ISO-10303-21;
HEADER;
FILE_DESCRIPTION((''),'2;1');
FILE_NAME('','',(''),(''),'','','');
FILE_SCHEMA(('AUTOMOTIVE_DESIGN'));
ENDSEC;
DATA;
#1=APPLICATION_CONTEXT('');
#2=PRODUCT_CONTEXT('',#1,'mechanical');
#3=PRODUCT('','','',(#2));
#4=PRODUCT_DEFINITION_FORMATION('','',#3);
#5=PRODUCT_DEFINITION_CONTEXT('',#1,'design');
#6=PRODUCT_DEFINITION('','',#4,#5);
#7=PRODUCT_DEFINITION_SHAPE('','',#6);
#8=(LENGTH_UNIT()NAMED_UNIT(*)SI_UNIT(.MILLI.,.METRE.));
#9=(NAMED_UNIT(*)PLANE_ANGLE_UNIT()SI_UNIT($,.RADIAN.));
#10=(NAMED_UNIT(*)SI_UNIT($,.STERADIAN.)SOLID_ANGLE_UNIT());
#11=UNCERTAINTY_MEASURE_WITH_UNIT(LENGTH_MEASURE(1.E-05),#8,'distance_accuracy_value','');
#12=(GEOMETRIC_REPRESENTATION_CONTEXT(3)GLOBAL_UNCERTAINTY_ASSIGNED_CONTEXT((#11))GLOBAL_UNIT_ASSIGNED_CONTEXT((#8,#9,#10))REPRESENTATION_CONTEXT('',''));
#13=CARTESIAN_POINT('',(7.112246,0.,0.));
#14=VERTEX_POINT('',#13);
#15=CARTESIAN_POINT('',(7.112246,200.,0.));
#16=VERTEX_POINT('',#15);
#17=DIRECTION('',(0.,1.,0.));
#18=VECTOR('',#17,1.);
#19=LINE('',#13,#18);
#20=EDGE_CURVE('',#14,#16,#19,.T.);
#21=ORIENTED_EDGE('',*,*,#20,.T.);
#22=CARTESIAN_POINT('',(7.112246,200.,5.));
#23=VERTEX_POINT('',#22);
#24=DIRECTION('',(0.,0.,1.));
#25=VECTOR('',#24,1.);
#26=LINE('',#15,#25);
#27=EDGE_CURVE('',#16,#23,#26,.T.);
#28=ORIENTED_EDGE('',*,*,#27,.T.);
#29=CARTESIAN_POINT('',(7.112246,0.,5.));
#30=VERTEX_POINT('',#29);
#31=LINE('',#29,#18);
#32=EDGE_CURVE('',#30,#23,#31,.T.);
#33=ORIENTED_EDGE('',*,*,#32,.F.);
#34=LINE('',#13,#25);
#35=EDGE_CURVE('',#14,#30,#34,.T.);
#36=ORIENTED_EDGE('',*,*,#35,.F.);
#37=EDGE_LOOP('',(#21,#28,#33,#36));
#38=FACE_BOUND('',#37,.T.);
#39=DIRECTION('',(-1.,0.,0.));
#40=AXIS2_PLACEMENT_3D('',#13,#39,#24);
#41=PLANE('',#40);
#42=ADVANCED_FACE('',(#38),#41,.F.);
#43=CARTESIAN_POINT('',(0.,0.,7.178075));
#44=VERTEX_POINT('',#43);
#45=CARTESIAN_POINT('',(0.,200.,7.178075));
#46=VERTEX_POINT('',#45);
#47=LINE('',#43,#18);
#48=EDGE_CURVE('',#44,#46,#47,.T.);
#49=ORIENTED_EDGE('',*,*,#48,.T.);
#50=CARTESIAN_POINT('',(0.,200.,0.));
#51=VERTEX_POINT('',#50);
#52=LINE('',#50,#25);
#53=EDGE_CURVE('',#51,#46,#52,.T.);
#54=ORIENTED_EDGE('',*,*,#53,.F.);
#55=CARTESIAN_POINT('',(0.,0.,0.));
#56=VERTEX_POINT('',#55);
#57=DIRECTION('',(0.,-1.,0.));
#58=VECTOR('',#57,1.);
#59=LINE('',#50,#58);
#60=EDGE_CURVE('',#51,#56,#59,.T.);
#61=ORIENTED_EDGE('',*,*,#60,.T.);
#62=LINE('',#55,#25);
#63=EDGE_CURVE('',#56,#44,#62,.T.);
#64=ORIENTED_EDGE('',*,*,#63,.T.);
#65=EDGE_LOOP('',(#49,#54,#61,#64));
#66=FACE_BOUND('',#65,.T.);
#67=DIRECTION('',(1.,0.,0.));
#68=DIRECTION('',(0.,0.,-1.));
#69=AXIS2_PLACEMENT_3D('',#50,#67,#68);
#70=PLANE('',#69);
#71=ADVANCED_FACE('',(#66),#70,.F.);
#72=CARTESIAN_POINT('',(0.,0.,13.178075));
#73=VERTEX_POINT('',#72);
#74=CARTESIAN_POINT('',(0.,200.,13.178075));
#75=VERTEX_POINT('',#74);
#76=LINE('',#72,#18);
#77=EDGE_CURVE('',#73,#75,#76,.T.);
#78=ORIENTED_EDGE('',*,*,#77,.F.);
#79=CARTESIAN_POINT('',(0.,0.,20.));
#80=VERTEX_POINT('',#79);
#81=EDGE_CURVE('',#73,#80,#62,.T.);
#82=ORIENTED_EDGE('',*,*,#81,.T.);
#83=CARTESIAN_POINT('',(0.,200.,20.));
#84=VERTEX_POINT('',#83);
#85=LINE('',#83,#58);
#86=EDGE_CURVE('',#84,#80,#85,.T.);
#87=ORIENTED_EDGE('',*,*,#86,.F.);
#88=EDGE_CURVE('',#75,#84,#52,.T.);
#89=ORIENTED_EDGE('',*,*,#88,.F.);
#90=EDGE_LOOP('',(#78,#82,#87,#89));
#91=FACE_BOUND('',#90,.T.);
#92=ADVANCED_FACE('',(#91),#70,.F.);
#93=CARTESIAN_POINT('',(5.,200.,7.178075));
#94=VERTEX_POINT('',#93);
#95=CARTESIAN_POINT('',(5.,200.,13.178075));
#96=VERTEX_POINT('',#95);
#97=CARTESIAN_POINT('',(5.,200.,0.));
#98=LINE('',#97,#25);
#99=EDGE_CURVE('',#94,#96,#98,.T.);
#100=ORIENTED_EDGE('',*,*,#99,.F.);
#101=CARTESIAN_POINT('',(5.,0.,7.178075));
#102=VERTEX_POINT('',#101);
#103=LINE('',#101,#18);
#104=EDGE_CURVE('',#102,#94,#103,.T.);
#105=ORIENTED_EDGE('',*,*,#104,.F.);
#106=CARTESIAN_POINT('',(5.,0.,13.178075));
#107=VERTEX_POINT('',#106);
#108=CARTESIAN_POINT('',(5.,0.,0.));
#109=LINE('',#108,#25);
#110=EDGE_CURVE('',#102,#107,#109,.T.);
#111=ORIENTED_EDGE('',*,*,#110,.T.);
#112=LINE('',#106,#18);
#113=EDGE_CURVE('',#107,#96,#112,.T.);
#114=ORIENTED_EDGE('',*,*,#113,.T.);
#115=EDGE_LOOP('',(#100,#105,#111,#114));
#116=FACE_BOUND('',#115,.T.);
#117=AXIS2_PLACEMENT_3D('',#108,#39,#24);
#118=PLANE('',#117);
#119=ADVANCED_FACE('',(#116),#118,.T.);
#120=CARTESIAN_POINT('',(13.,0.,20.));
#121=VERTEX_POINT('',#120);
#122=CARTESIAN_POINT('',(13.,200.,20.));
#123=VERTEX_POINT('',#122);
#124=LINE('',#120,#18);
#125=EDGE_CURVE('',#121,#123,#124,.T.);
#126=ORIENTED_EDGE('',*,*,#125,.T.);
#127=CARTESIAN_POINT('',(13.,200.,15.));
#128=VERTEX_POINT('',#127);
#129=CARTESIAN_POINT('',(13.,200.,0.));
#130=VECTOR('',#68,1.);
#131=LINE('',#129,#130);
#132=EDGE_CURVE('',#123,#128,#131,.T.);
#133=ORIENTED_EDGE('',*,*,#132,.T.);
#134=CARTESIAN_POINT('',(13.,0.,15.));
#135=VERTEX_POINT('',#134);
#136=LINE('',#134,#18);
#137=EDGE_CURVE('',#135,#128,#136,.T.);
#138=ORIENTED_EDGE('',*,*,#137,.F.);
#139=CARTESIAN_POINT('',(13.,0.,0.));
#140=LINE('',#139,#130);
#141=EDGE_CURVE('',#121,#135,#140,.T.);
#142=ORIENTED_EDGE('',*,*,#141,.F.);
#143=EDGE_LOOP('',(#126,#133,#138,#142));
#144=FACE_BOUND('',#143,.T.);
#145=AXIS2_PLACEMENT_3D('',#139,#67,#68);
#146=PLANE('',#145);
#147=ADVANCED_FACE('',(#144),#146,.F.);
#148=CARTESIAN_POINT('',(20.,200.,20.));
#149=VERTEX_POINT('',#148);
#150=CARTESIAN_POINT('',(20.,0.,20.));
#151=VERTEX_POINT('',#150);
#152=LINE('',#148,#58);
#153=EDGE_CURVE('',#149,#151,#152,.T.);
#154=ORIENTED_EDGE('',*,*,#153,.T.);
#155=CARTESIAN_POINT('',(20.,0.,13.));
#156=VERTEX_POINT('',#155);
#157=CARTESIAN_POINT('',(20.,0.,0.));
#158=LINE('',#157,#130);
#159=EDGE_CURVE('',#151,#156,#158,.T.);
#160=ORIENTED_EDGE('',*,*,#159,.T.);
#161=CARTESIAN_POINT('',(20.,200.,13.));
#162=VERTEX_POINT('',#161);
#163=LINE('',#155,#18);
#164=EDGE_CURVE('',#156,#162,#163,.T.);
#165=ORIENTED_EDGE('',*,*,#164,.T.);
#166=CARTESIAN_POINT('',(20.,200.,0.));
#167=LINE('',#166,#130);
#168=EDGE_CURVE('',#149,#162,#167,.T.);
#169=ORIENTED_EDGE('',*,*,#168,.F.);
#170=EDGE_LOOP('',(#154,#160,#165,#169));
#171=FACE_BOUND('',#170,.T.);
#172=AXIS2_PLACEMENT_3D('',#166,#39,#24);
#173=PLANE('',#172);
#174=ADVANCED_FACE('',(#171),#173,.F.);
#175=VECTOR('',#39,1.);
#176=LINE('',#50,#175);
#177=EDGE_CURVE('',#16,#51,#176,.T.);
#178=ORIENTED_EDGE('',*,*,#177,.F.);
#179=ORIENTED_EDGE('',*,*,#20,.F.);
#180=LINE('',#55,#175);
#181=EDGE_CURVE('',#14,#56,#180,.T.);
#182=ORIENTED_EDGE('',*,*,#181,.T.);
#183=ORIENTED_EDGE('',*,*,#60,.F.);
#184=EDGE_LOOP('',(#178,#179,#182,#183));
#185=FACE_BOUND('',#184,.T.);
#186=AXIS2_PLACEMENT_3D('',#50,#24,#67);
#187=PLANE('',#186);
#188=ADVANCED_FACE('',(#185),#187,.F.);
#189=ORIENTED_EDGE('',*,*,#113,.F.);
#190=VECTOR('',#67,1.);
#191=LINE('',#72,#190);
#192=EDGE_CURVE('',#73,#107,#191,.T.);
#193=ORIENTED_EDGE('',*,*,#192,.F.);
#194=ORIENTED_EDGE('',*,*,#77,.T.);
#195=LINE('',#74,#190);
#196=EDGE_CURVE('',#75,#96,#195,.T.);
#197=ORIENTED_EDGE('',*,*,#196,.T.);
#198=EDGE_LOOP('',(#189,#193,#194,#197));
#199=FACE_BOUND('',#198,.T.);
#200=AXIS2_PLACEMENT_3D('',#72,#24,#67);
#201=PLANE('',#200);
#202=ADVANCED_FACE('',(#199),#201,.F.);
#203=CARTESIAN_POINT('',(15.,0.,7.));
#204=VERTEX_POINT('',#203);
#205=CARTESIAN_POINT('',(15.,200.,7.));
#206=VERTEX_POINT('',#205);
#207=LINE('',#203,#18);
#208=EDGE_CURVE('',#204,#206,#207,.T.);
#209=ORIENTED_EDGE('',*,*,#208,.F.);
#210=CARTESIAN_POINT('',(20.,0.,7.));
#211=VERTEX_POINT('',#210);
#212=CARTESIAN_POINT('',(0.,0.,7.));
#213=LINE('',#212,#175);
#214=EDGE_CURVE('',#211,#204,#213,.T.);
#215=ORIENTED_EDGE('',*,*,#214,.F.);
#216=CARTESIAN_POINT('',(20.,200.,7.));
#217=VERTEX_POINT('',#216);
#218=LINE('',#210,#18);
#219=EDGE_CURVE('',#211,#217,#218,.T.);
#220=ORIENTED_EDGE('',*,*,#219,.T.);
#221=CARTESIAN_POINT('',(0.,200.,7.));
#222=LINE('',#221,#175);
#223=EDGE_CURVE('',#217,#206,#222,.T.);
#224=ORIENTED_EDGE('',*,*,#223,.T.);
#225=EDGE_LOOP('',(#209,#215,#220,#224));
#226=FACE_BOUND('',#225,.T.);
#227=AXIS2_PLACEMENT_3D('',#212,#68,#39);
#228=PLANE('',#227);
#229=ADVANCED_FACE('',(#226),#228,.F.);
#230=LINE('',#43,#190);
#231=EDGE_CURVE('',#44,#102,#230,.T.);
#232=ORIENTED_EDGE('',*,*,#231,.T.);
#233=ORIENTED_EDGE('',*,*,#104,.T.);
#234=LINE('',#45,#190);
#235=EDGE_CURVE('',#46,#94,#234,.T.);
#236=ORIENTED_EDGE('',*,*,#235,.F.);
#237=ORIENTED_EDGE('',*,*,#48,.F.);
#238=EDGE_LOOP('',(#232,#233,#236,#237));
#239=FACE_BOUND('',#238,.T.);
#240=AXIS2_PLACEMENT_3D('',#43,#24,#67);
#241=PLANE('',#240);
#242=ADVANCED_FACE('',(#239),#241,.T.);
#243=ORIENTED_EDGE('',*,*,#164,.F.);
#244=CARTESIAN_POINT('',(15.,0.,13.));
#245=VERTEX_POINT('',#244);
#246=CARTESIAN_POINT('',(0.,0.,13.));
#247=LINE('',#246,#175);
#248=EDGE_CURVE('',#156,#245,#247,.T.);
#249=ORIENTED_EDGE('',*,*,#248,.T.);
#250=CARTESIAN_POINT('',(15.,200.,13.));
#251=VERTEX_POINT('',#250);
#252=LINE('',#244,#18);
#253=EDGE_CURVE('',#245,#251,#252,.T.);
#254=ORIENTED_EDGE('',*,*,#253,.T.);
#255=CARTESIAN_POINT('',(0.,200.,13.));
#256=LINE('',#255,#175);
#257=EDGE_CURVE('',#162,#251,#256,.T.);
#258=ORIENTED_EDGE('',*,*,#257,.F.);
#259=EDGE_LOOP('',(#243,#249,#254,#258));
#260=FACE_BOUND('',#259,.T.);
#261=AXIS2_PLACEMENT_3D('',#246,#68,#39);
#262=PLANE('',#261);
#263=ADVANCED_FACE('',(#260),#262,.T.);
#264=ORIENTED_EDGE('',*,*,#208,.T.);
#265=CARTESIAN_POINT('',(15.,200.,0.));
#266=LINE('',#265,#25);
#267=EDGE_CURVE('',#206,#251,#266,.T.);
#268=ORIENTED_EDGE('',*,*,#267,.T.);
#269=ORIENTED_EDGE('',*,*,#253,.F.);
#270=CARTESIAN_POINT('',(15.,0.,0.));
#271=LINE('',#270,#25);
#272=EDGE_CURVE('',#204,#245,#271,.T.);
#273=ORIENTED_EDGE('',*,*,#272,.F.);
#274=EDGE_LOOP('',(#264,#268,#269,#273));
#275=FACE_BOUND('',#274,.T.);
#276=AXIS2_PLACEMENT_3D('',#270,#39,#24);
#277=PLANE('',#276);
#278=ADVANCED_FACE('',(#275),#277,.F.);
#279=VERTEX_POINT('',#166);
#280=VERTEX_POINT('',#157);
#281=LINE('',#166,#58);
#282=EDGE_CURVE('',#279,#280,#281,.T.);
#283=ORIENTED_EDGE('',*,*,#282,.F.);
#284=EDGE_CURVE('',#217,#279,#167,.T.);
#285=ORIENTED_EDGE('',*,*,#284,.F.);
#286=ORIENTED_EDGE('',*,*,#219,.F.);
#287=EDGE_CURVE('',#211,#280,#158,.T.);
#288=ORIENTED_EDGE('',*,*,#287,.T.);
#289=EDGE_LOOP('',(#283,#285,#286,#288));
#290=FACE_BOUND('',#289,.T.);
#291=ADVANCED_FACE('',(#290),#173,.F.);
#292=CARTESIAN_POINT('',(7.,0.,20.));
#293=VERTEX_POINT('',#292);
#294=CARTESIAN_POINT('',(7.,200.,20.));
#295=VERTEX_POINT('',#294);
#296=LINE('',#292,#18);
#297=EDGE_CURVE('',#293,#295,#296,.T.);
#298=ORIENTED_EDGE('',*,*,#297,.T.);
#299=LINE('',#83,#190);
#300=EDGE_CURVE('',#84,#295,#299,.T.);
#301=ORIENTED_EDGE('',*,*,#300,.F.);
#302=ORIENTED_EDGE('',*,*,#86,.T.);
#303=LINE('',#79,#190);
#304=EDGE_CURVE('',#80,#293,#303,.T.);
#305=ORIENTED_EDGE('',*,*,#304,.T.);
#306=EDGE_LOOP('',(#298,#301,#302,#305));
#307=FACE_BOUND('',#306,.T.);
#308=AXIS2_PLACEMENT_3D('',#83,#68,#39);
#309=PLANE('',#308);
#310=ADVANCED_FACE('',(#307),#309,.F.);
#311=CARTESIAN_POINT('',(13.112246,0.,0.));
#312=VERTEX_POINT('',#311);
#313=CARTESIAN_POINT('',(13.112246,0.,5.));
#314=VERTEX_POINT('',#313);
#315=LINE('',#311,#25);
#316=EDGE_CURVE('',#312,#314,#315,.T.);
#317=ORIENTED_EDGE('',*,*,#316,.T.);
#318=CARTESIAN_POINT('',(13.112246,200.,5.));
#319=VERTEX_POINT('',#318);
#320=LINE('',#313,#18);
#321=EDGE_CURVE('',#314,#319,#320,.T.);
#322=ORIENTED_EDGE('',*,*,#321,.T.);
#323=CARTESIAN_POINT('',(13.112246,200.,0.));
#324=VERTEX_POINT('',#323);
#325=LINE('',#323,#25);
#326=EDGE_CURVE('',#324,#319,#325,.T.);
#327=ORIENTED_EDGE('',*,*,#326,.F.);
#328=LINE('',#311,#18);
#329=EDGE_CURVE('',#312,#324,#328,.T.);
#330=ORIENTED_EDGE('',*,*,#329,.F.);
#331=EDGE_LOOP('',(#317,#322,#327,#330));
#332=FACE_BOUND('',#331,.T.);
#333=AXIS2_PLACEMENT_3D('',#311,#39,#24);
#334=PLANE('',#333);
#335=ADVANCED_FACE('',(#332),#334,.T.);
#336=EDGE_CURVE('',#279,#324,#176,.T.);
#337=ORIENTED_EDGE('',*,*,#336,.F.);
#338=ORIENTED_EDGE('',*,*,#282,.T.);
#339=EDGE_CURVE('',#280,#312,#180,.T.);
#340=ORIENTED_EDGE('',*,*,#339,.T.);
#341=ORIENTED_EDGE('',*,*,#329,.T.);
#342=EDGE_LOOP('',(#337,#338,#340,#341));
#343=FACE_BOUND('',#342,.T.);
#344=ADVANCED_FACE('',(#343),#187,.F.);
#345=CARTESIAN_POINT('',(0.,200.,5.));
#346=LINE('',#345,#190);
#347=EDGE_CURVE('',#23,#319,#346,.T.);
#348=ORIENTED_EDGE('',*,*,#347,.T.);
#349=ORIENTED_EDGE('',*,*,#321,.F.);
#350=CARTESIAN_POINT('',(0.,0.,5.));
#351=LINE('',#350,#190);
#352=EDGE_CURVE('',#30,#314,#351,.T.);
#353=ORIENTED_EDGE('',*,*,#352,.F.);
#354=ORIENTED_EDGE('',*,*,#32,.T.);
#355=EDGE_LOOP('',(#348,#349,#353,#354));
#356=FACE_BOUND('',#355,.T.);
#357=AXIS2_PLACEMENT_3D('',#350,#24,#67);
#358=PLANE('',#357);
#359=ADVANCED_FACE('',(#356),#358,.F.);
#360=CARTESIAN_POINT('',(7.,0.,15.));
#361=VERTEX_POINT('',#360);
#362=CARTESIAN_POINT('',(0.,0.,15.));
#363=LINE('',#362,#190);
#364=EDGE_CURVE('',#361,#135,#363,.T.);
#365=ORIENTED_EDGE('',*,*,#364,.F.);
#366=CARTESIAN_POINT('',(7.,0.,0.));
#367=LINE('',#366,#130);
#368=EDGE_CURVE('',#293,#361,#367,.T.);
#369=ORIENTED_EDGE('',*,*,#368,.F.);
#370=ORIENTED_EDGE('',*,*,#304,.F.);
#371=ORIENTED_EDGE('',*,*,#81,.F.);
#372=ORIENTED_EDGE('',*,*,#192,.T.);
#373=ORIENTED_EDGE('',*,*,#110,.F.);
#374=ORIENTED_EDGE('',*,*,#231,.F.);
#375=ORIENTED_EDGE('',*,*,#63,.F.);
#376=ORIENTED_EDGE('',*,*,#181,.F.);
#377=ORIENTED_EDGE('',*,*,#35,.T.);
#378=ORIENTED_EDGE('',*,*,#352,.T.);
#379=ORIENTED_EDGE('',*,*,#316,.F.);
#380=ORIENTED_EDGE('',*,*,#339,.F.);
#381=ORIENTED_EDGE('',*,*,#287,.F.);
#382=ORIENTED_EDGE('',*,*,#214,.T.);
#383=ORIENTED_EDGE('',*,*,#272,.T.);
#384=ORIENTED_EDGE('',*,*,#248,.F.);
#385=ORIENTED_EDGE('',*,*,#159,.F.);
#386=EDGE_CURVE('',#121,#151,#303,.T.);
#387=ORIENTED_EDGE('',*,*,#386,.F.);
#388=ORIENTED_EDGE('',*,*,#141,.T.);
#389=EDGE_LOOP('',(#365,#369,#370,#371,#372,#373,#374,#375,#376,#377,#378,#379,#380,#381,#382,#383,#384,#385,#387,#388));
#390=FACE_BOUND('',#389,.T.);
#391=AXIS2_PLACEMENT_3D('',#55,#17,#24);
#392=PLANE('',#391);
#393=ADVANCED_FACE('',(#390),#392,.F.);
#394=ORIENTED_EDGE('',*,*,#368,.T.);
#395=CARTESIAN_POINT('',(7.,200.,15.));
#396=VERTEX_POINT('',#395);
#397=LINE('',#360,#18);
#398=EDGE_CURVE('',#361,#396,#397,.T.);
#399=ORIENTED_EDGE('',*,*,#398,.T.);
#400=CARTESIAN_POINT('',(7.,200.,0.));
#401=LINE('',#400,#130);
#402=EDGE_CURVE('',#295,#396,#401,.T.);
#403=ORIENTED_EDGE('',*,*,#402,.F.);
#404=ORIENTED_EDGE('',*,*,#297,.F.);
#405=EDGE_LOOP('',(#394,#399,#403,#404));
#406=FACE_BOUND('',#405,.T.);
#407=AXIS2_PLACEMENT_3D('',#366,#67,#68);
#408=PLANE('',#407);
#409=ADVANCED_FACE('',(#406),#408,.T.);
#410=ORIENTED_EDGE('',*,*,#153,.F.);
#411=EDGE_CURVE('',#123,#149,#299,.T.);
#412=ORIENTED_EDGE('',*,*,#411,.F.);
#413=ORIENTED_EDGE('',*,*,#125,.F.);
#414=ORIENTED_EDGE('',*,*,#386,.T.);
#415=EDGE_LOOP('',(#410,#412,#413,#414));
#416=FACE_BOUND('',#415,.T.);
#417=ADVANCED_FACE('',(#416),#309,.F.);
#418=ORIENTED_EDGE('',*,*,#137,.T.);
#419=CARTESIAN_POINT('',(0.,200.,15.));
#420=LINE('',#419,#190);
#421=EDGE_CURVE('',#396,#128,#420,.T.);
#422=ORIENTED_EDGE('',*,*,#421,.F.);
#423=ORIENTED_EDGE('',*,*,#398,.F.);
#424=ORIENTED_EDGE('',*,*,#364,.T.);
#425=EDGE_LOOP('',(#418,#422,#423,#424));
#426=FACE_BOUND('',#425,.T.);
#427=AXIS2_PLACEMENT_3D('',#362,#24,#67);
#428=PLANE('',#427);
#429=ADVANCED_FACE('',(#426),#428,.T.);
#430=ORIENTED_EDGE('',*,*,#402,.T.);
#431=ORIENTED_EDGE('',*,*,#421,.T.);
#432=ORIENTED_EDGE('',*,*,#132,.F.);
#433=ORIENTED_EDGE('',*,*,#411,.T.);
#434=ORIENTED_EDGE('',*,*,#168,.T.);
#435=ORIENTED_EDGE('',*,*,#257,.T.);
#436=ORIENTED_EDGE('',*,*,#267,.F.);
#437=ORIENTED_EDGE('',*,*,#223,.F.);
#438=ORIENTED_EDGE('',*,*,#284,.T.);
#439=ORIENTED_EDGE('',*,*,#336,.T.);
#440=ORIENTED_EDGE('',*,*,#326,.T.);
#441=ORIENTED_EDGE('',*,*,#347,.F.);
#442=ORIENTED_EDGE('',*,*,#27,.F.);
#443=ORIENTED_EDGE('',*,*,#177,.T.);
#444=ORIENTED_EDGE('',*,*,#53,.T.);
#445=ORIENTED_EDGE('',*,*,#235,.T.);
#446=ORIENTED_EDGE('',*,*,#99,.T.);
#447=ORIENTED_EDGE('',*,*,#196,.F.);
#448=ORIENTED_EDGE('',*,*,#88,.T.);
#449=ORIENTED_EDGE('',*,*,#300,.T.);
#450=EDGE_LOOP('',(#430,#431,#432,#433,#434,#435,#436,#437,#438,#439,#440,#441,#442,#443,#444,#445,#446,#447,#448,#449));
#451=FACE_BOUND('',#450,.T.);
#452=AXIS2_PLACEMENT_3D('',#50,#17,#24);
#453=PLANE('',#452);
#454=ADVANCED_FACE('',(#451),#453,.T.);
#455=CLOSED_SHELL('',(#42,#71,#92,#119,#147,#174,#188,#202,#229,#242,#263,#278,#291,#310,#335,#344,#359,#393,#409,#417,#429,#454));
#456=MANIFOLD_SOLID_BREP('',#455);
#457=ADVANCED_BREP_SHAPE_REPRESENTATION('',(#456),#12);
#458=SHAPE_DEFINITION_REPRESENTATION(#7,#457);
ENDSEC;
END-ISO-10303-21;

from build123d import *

# Parameters (mm, degrees)
ESQUISSE1_W             = 20
ESQUISSE1_H             = 20
BOSS_EXTRU_1_DEPTH      = 200
ESQUISSE2_W             = 6
ESQUISSE2_H             = 5
ESQUISSE2_W_2           = 5
ESQUISSE2_H_2           = 6
ENL_V_MAT_EXTRU_1_DEPTH = 200


with BuildPart() as part:
    # Esquisse1 → Boss.-Extru.1 (new body)
    with BuildSketch(Plane(origin=(0, 0, 0), x_dir=(1, 0, 0), z_dir=(0, 1, 0))):
        with Locations((10, -10)):
            Rectangle(ESQUISSE1_W, ESQUISSE1_H)
    extrude(amount=BOSS_EXTRU_1_DEPTH)

    # Esquisse2 → Enlèv. mat.-Extru.1 (cut)
    with BuildSketch(Plane(origin=(0, 200, 0), x_dir=(1, 0, 0), z_dir=(0, 1, 0))):
        with Locations((10.112246414, -2.5)):
            Rectangle(ESQUISSE2_W, ESQUISSE2_H)
        with Locations((2.5, -10.178074883)):
            Rectangle(ESQUISSE2_W_2, ESQUISSE2_H_2)
        with Locations((17.5, -10)):
            Rectangle(ESQUISSE2_W_2, ESQUISSE2_H_2)
        with Locations((10, -17.5)):
            Rectangle(ESQUISSE2_W, ESQUISSE2_H)
    extrude(amount=-ENL_V_MAT_EXTRU_1_DEPTH, mode=Mode.SUBTRACT)


solid = part.part
